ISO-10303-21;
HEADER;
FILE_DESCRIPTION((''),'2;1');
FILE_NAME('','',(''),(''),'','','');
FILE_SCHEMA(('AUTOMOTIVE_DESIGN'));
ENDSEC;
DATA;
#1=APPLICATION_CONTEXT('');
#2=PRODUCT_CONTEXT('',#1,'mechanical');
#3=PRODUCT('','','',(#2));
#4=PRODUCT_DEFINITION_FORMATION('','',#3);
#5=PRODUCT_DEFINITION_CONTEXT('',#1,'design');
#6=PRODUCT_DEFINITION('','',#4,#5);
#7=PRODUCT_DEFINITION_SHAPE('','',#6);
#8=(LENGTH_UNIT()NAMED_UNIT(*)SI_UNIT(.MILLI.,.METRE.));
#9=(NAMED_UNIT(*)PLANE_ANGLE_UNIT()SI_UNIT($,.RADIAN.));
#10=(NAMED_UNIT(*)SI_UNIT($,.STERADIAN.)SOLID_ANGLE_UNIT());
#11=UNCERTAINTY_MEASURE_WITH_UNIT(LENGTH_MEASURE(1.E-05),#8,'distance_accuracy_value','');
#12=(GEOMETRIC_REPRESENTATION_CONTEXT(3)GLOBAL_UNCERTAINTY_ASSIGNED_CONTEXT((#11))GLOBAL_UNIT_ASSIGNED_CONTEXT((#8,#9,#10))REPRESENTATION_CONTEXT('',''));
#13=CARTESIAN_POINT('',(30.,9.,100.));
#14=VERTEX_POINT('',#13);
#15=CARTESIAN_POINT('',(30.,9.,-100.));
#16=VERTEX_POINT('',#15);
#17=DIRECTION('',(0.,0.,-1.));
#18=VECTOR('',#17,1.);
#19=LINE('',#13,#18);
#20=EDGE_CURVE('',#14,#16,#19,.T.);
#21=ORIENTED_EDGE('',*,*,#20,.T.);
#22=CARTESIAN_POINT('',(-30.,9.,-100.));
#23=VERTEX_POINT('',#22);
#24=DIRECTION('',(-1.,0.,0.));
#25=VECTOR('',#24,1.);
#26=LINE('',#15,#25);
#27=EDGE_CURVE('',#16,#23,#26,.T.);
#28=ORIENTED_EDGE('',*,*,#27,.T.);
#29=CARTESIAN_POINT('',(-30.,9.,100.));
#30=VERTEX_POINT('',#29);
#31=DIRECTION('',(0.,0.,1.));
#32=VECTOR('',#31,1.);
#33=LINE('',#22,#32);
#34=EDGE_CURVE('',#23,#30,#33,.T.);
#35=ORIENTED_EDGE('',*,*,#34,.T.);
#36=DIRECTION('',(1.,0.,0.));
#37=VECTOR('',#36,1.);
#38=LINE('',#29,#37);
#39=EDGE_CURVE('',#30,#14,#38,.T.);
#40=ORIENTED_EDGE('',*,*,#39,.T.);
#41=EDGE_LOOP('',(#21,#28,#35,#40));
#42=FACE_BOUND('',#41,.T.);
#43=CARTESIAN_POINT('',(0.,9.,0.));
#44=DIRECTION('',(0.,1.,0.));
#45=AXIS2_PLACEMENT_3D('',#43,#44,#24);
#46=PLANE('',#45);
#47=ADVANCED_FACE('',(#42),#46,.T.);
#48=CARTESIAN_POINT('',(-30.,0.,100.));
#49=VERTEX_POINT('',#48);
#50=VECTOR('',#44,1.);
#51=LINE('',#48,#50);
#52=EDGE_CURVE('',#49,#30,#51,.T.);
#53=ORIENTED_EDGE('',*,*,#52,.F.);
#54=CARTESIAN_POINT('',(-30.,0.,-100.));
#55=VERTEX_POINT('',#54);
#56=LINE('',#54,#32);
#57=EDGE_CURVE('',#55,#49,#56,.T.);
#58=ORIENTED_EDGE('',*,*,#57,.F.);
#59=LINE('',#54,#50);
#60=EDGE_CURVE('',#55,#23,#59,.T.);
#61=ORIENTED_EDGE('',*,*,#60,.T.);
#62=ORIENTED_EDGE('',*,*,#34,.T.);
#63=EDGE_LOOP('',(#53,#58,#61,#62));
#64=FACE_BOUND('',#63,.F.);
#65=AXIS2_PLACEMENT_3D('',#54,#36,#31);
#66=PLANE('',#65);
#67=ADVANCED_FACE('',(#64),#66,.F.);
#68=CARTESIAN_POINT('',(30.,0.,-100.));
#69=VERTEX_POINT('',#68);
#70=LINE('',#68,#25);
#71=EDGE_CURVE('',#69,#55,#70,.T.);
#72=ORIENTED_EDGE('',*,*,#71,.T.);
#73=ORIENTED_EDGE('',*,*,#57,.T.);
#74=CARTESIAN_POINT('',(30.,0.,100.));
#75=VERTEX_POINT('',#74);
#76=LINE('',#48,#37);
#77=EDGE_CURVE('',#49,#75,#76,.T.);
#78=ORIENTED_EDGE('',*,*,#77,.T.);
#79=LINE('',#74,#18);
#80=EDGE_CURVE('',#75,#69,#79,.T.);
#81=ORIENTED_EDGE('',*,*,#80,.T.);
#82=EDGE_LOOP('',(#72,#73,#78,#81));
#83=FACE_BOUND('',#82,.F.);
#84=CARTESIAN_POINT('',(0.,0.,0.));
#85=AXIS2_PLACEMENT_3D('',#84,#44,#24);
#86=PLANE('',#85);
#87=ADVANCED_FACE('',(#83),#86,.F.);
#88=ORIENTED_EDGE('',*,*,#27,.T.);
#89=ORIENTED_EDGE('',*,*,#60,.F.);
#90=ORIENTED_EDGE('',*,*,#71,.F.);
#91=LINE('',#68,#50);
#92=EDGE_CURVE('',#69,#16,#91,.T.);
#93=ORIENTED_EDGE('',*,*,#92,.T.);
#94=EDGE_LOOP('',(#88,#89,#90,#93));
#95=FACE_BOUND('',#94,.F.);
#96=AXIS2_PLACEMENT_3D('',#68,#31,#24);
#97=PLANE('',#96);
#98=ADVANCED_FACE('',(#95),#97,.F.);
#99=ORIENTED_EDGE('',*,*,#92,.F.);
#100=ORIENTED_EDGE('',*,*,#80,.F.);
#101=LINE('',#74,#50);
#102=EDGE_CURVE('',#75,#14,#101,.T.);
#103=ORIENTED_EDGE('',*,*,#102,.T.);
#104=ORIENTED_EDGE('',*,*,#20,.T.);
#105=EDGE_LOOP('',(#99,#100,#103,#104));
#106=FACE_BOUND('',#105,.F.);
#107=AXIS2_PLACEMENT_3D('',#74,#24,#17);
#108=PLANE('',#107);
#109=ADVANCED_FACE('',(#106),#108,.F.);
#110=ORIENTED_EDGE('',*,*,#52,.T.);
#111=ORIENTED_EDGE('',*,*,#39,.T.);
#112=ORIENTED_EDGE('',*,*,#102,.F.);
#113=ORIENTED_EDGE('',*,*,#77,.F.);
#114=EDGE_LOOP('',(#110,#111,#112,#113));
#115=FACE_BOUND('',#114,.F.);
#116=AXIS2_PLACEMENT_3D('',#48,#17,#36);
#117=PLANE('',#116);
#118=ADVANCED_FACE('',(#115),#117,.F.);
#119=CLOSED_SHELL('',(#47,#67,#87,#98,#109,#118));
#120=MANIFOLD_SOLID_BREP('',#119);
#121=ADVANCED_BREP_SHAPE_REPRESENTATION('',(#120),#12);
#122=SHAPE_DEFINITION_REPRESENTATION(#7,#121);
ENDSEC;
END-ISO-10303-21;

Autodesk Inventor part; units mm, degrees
ref_plane "YZ Plane" through (0, 0, 0) normal (1, 0, 0) x (0, 1, 0)
ref_plane "XZ Plane" through (0, 0, 0) normal (0, 1, 0) x (-1, 0, 0)
ref_plane "XY Plane" through (0, 0, 0) normal (0, 0, 1) x (1, 0, 0)
sketch "Boceto1" plane through (0, 0, 0) normal (0, 1, 0) x (-1, 0, 0)
  line L0 (30, 100) -> (-30, 100)
  line L1 (-30, 100) -> (-30, -100)
  line L2 (-30, -100) -> (30, -100)
  line L3 (30, -100) -> (30, 100)
  point P0 (0, 0)
  point P1 (30, 0)
  point P2 (0, 100)
  dimension "d0" = 60
  dimension "d1" = 200
extrude "Extrusión1" add sketch "Boceto1" along normal blind 9
properties part number "Base Prototipo Inicial" material "Madera (abedul)"
